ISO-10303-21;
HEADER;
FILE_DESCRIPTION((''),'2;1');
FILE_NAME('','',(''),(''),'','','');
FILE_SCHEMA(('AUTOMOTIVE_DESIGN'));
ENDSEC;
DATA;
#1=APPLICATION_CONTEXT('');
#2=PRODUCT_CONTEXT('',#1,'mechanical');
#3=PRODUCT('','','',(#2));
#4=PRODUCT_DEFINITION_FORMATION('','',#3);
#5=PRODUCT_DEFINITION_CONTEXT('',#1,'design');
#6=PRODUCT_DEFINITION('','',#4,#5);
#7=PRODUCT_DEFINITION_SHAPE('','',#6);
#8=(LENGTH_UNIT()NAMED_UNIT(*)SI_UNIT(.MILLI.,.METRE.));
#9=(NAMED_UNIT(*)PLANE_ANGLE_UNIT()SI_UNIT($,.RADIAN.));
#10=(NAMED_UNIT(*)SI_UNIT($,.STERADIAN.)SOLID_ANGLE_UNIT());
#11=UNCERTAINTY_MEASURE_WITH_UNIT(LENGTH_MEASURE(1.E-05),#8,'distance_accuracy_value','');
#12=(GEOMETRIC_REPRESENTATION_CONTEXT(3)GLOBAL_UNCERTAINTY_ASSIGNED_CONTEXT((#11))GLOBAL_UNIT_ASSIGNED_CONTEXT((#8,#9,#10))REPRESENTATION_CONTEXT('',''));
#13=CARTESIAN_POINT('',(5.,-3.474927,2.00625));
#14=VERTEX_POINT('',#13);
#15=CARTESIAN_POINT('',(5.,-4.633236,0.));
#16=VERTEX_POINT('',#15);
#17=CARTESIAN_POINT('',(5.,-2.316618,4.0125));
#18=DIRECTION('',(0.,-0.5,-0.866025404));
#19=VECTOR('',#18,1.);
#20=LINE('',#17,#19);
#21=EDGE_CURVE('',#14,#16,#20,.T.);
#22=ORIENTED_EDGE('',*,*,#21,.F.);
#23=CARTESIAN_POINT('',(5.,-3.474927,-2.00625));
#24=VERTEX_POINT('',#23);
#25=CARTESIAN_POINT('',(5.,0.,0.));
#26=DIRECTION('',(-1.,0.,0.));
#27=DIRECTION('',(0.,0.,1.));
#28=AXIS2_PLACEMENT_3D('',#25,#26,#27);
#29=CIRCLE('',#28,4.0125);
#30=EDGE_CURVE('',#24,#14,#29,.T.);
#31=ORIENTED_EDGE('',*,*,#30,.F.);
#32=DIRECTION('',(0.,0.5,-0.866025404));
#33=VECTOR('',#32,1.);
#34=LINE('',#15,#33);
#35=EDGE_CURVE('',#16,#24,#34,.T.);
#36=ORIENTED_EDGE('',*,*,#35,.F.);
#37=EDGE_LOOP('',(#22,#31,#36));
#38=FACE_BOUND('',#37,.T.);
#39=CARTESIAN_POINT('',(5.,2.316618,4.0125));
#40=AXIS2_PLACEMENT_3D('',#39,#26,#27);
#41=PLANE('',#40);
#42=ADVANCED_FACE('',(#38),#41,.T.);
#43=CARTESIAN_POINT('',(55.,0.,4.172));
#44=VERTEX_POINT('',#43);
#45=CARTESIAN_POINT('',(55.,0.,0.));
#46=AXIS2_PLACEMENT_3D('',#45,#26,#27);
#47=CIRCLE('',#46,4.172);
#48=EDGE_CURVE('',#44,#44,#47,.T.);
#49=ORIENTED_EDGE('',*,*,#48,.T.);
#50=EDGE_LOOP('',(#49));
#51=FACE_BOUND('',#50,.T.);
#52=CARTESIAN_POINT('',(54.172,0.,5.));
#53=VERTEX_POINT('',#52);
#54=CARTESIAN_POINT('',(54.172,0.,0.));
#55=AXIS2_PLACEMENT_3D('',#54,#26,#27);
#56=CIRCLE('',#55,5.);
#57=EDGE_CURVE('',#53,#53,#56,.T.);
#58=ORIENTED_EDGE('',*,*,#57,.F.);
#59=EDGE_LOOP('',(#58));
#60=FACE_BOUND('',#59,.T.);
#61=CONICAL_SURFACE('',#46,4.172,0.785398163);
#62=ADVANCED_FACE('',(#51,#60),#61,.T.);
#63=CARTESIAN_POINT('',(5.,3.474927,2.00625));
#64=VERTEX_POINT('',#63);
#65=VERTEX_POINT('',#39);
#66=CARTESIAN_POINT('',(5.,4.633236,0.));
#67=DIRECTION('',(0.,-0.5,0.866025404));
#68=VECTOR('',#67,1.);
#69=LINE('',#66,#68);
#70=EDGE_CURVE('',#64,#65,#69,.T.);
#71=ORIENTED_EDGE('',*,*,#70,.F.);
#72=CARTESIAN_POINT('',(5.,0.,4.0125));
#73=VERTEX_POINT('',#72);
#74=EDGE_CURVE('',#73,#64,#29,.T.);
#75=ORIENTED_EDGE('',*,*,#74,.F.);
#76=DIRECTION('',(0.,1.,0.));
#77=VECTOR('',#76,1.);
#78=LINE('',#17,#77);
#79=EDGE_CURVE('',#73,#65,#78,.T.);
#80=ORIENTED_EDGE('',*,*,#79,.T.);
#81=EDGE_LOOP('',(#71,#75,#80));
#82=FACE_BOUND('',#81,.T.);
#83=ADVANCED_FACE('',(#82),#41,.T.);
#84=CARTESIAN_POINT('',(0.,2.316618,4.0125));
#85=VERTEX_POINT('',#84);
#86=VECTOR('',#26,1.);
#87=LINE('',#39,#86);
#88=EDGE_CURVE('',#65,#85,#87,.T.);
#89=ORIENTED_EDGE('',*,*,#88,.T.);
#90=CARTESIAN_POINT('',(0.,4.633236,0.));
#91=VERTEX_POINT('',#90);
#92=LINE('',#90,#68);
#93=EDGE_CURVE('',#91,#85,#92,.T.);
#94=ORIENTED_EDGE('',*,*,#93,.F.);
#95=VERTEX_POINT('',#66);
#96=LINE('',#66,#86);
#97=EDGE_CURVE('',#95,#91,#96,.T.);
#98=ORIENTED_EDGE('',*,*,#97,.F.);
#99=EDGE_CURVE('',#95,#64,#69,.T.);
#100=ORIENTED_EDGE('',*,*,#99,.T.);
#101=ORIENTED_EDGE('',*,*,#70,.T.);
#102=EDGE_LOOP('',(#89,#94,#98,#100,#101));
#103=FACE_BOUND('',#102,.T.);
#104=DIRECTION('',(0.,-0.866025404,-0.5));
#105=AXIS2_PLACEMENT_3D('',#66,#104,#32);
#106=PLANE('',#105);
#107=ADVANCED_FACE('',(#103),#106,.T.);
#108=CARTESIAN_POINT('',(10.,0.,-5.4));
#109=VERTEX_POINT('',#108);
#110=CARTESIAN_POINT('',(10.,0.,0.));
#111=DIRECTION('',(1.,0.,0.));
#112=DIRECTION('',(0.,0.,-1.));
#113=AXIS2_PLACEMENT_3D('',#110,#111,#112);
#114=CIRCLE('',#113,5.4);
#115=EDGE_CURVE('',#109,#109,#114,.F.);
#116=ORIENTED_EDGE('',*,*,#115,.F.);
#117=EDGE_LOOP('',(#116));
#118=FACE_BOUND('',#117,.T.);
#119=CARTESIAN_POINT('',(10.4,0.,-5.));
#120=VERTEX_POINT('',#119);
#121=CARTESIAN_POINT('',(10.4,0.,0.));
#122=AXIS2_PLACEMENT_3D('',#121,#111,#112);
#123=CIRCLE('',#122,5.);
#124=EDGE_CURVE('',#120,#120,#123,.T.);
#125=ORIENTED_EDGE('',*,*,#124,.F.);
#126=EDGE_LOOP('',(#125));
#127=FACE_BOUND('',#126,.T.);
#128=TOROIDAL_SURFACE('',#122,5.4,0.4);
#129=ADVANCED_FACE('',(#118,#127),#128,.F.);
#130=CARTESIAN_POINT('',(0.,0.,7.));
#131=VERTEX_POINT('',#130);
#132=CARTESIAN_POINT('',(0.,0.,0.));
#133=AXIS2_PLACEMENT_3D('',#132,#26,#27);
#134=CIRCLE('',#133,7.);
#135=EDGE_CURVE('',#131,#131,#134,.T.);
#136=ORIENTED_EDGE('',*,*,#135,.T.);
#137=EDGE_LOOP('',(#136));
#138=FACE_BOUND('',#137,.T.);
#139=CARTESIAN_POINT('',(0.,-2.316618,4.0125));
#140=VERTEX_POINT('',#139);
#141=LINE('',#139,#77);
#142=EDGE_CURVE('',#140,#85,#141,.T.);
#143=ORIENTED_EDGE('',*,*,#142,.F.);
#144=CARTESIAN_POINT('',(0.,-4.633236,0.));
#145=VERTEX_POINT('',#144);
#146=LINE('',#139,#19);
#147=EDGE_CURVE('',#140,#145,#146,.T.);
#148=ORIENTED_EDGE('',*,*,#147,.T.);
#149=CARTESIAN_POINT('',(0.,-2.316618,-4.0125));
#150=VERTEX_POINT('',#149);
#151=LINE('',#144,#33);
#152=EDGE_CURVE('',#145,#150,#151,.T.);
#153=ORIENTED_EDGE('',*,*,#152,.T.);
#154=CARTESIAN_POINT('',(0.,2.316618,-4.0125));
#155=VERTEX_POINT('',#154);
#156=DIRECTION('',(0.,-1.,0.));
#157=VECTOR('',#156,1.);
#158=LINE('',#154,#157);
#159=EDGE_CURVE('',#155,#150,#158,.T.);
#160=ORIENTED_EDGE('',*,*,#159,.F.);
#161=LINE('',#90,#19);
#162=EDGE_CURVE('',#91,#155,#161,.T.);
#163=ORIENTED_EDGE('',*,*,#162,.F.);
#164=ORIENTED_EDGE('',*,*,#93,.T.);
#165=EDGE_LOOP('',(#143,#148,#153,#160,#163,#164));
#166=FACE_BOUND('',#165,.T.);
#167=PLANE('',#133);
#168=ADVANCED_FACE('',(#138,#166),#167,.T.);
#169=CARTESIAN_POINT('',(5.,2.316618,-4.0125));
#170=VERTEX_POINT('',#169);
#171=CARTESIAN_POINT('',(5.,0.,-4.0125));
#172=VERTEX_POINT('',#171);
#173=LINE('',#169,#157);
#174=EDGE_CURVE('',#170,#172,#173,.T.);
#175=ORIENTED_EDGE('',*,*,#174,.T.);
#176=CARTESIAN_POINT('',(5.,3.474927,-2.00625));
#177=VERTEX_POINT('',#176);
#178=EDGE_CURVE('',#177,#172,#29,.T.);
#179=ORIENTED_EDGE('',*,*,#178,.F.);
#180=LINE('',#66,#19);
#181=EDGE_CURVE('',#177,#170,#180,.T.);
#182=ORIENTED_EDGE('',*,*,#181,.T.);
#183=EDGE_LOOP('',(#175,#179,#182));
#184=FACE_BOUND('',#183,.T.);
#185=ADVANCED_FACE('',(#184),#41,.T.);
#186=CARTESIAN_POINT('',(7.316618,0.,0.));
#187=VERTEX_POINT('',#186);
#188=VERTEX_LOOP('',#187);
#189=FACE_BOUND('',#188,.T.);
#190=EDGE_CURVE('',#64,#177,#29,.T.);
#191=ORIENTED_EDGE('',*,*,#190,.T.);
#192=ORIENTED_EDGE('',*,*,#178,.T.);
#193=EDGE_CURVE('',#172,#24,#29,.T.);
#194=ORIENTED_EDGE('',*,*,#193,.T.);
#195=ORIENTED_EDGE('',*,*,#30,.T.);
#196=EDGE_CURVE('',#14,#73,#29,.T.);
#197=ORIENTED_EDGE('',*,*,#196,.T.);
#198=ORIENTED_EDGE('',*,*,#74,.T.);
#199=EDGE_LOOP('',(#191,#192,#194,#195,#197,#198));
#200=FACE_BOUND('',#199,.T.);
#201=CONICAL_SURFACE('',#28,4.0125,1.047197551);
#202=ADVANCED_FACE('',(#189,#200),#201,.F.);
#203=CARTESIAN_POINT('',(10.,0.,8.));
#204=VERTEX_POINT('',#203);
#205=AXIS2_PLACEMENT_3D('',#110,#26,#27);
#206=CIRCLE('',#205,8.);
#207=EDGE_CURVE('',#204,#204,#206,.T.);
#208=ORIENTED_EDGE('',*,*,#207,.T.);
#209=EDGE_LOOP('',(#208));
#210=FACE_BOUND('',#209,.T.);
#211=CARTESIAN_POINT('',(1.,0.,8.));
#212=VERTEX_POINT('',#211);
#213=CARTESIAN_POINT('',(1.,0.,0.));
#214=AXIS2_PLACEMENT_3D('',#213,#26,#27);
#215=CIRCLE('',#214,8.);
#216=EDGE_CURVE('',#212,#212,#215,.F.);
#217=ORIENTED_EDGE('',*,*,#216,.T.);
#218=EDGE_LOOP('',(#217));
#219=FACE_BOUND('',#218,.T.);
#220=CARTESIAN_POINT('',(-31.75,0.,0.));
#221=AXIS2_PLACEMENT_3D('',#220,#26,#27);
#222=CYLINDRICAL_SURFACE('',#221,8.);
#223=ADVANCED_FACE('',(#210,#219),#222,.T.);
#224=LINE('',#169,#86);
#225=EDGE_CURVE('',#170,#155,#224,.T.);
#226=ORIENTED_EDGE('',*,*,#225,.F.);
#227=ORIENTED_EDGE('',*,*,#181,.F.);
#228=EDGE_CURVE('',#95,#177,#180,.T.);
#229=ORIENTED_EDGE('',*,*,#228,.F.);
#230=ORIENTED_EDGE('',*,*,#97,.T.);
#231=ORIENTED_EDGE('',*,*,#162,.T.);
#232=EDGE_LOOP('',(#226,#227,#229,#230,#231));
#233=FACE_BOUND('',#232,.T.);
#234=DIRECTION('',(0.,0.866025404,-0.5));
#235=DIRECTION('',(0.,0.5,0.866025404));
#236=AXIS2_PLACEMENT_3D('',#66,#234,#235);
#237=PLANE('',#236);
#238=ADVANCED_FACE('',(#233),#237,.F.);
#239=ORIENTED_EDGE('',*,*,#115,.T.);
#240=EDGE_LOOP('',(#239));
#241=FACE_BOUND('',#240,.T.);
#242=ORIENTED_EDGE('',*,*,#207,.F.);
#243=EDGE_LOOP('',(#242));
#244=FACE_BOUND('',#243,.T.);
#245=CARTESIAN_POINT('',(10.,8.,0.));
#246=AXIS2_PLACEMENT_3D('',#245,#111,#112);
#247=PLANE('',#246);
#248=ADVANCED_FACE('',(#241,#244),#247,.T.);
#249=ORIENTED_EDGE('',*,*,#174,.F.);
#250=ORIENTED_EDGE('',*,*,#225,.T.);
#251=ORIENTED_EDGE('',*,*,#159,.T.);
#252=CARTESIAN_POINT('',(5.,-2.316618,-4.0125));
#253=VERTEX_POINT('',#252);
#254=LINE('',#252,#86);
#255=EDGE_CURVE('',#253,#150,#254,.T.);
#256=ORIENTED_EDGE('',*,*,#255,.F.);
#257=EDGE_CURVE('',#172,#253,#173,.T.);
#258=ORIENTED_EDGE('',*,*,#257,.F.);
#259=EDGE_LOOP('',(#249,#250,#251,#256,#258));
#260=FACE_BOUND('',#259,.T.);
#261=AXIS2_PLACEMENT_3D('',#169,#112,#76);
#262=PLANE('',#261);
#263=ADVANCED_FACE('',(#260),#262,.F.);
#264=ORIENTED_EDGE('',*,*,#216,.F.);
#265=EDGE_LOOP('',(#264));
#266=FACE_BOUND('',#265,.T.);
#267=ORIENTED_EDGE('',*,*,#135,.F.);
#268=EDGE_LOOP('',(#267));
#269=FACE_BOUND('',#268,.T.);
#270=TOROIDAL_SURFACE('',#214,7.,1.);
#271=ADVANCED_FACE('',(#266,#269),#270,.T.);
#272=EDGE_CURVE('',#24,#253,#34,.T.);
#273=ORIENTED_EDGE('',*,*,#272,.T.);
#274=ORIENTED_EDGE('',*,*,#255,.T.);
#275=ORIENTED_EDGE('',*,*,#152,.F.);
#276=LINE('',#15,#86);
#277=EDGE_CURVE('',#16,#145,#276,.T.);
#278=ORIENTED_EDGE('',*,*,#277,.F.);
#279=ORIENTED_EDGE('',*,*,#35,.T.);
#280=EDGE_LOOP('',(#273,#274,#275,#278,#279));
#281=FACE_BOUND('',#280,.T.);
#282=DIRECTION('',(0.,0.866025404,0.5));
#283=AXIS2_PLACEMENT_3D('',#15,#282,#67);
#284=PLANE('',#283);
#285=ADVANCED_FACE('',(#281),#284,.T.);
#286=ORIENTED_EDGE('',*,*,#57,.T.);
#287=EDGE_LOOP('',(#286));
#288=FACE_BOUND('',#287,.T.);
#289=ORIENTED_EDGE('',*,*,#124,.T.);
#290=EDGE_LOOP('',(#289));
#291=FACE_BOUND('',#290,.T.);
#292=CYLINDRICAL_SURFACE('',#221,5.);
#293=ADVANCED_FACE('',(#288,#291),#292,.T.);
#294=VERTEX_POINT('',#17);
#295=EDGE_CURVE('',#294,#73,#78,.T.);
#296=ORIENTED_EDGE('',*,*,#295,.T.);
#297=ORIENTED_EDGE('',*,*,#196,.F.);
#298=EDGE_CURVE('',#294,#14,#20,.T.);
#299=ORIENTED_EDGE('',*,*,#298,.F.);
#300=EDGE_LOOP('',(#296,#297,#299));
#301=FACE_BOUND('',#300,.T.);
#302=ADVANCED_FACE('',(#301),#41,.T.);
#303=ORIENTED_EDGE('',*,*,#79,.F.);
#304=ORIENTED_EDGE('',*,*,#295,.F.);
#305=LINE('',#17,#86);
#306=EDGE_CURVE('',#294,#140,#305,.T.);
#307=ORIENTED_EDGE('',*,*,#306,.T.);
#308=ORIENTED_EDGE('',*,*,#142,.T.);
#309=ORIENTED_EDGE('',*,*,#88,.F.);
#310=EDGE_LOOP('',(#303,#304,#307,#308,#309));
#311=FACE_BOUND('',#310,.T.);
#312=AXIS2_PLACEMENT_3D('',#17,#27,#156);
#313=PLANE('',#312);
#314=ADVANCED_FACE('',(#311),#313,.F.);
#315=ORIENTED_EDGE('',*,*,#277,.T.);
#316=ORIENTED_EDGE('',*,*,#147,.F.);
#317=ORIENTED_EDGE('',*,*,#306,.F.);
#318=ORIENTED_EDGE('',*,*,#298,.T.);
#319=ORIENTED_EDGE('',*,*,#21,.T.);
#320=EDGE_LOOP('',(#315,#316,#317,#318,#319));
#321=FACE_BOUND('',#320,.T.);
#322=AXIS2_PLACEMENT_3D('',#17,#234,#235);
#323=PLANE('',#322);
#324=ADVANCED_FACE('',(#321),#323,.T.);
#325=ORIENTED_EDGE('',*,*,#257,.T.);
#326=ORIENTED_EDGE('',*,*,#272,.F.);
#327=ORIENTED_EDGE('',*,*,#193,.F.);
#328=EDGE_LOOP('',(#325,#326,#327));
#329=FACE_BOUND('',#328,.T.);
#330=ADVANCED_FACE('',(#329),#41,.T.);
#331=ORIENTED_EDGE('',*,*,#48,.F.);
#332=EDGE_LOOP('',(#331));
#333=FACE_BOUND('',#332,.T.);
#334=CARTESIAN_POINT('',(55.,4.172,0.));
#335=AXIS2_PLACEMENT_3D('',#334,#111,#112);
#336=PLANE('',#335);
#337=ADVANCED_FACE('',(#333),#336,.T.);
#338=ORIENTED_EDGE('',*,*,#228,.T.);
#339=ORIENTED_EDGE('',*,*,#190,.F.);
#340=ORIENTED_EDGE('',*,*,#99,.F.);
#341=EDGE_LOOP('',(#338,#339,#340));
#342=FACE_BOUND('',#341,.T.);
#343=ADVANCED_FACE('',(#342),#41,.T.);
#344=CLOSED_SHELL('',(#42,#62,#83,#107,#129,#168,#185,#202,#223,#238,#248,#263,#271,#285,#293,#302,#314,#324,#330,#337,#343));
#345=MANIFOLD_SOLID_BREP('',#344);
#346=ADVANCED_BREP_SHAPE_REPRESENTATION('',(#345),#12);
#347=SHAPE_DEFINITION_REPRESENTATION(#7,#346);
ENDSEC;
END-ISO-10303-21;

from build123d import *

# Parameters (mm, degrees)
FILLET1_R   = 0.4
FILLET2_R   = 1
HEX_2_DEPTH = 5


with BuildPart() as part:
    # BodySke → Base-Revolve (revolve)
    with BuildSketch(Plane.XY):
        Polygon((0, 0), (0, 8), (10, 8), (10, 5), (54.172, 5), (55, 4.172), (55, 0), align=None)
    revolve(axis=Axis((-31.75, 0, 0), (1, 0, 0)))

    # Fillet1
    fillet1_edges = [part.edges().sort_by_distance(p)[0] for p in [
        (10, -5, 0),
    ]]
    fillet(fillet1_edges, radius=FILLET1_R)

    # Fillet2
    fillet2_edges = [part.edges().sort_by_distance(p)[0] for p in [
        (0, -8, 0),
    ]]
    fillet(fillet2_edges, radius=FILLET2_R)

    # Sketch2 → Hex-PreBroach (revolve, cut)
    with BuildSketch(Plane.XY):
        Polygon((0, 4.0125), (5, 4.0125), (7.316617955, 0), (0, 0), align=None)
    revolve(axis=Axis((0, 0, 0), (1, 0, 0)), mode=Mode.SUBTRACT)

    # Sketch3 → Hex 2 (cut)
    with BuildSketch(Plane(origin=(0, 0, 0), x_dir=(0, 0.5, 0.866025404), z_dir=(-1, 0, 0))):
        Polygon((2.316617955, 4.0125), (-2.316617955, 4.0125), (-4.63323591, 0), (-2.316617955, -4.0125), (2.316617955, -4.0125), (4.63323591, 0), align=None)
    extrude(amount=-HEX_2_DEPTH, mode=Mode.SUBTRACT)


solid = part.part
